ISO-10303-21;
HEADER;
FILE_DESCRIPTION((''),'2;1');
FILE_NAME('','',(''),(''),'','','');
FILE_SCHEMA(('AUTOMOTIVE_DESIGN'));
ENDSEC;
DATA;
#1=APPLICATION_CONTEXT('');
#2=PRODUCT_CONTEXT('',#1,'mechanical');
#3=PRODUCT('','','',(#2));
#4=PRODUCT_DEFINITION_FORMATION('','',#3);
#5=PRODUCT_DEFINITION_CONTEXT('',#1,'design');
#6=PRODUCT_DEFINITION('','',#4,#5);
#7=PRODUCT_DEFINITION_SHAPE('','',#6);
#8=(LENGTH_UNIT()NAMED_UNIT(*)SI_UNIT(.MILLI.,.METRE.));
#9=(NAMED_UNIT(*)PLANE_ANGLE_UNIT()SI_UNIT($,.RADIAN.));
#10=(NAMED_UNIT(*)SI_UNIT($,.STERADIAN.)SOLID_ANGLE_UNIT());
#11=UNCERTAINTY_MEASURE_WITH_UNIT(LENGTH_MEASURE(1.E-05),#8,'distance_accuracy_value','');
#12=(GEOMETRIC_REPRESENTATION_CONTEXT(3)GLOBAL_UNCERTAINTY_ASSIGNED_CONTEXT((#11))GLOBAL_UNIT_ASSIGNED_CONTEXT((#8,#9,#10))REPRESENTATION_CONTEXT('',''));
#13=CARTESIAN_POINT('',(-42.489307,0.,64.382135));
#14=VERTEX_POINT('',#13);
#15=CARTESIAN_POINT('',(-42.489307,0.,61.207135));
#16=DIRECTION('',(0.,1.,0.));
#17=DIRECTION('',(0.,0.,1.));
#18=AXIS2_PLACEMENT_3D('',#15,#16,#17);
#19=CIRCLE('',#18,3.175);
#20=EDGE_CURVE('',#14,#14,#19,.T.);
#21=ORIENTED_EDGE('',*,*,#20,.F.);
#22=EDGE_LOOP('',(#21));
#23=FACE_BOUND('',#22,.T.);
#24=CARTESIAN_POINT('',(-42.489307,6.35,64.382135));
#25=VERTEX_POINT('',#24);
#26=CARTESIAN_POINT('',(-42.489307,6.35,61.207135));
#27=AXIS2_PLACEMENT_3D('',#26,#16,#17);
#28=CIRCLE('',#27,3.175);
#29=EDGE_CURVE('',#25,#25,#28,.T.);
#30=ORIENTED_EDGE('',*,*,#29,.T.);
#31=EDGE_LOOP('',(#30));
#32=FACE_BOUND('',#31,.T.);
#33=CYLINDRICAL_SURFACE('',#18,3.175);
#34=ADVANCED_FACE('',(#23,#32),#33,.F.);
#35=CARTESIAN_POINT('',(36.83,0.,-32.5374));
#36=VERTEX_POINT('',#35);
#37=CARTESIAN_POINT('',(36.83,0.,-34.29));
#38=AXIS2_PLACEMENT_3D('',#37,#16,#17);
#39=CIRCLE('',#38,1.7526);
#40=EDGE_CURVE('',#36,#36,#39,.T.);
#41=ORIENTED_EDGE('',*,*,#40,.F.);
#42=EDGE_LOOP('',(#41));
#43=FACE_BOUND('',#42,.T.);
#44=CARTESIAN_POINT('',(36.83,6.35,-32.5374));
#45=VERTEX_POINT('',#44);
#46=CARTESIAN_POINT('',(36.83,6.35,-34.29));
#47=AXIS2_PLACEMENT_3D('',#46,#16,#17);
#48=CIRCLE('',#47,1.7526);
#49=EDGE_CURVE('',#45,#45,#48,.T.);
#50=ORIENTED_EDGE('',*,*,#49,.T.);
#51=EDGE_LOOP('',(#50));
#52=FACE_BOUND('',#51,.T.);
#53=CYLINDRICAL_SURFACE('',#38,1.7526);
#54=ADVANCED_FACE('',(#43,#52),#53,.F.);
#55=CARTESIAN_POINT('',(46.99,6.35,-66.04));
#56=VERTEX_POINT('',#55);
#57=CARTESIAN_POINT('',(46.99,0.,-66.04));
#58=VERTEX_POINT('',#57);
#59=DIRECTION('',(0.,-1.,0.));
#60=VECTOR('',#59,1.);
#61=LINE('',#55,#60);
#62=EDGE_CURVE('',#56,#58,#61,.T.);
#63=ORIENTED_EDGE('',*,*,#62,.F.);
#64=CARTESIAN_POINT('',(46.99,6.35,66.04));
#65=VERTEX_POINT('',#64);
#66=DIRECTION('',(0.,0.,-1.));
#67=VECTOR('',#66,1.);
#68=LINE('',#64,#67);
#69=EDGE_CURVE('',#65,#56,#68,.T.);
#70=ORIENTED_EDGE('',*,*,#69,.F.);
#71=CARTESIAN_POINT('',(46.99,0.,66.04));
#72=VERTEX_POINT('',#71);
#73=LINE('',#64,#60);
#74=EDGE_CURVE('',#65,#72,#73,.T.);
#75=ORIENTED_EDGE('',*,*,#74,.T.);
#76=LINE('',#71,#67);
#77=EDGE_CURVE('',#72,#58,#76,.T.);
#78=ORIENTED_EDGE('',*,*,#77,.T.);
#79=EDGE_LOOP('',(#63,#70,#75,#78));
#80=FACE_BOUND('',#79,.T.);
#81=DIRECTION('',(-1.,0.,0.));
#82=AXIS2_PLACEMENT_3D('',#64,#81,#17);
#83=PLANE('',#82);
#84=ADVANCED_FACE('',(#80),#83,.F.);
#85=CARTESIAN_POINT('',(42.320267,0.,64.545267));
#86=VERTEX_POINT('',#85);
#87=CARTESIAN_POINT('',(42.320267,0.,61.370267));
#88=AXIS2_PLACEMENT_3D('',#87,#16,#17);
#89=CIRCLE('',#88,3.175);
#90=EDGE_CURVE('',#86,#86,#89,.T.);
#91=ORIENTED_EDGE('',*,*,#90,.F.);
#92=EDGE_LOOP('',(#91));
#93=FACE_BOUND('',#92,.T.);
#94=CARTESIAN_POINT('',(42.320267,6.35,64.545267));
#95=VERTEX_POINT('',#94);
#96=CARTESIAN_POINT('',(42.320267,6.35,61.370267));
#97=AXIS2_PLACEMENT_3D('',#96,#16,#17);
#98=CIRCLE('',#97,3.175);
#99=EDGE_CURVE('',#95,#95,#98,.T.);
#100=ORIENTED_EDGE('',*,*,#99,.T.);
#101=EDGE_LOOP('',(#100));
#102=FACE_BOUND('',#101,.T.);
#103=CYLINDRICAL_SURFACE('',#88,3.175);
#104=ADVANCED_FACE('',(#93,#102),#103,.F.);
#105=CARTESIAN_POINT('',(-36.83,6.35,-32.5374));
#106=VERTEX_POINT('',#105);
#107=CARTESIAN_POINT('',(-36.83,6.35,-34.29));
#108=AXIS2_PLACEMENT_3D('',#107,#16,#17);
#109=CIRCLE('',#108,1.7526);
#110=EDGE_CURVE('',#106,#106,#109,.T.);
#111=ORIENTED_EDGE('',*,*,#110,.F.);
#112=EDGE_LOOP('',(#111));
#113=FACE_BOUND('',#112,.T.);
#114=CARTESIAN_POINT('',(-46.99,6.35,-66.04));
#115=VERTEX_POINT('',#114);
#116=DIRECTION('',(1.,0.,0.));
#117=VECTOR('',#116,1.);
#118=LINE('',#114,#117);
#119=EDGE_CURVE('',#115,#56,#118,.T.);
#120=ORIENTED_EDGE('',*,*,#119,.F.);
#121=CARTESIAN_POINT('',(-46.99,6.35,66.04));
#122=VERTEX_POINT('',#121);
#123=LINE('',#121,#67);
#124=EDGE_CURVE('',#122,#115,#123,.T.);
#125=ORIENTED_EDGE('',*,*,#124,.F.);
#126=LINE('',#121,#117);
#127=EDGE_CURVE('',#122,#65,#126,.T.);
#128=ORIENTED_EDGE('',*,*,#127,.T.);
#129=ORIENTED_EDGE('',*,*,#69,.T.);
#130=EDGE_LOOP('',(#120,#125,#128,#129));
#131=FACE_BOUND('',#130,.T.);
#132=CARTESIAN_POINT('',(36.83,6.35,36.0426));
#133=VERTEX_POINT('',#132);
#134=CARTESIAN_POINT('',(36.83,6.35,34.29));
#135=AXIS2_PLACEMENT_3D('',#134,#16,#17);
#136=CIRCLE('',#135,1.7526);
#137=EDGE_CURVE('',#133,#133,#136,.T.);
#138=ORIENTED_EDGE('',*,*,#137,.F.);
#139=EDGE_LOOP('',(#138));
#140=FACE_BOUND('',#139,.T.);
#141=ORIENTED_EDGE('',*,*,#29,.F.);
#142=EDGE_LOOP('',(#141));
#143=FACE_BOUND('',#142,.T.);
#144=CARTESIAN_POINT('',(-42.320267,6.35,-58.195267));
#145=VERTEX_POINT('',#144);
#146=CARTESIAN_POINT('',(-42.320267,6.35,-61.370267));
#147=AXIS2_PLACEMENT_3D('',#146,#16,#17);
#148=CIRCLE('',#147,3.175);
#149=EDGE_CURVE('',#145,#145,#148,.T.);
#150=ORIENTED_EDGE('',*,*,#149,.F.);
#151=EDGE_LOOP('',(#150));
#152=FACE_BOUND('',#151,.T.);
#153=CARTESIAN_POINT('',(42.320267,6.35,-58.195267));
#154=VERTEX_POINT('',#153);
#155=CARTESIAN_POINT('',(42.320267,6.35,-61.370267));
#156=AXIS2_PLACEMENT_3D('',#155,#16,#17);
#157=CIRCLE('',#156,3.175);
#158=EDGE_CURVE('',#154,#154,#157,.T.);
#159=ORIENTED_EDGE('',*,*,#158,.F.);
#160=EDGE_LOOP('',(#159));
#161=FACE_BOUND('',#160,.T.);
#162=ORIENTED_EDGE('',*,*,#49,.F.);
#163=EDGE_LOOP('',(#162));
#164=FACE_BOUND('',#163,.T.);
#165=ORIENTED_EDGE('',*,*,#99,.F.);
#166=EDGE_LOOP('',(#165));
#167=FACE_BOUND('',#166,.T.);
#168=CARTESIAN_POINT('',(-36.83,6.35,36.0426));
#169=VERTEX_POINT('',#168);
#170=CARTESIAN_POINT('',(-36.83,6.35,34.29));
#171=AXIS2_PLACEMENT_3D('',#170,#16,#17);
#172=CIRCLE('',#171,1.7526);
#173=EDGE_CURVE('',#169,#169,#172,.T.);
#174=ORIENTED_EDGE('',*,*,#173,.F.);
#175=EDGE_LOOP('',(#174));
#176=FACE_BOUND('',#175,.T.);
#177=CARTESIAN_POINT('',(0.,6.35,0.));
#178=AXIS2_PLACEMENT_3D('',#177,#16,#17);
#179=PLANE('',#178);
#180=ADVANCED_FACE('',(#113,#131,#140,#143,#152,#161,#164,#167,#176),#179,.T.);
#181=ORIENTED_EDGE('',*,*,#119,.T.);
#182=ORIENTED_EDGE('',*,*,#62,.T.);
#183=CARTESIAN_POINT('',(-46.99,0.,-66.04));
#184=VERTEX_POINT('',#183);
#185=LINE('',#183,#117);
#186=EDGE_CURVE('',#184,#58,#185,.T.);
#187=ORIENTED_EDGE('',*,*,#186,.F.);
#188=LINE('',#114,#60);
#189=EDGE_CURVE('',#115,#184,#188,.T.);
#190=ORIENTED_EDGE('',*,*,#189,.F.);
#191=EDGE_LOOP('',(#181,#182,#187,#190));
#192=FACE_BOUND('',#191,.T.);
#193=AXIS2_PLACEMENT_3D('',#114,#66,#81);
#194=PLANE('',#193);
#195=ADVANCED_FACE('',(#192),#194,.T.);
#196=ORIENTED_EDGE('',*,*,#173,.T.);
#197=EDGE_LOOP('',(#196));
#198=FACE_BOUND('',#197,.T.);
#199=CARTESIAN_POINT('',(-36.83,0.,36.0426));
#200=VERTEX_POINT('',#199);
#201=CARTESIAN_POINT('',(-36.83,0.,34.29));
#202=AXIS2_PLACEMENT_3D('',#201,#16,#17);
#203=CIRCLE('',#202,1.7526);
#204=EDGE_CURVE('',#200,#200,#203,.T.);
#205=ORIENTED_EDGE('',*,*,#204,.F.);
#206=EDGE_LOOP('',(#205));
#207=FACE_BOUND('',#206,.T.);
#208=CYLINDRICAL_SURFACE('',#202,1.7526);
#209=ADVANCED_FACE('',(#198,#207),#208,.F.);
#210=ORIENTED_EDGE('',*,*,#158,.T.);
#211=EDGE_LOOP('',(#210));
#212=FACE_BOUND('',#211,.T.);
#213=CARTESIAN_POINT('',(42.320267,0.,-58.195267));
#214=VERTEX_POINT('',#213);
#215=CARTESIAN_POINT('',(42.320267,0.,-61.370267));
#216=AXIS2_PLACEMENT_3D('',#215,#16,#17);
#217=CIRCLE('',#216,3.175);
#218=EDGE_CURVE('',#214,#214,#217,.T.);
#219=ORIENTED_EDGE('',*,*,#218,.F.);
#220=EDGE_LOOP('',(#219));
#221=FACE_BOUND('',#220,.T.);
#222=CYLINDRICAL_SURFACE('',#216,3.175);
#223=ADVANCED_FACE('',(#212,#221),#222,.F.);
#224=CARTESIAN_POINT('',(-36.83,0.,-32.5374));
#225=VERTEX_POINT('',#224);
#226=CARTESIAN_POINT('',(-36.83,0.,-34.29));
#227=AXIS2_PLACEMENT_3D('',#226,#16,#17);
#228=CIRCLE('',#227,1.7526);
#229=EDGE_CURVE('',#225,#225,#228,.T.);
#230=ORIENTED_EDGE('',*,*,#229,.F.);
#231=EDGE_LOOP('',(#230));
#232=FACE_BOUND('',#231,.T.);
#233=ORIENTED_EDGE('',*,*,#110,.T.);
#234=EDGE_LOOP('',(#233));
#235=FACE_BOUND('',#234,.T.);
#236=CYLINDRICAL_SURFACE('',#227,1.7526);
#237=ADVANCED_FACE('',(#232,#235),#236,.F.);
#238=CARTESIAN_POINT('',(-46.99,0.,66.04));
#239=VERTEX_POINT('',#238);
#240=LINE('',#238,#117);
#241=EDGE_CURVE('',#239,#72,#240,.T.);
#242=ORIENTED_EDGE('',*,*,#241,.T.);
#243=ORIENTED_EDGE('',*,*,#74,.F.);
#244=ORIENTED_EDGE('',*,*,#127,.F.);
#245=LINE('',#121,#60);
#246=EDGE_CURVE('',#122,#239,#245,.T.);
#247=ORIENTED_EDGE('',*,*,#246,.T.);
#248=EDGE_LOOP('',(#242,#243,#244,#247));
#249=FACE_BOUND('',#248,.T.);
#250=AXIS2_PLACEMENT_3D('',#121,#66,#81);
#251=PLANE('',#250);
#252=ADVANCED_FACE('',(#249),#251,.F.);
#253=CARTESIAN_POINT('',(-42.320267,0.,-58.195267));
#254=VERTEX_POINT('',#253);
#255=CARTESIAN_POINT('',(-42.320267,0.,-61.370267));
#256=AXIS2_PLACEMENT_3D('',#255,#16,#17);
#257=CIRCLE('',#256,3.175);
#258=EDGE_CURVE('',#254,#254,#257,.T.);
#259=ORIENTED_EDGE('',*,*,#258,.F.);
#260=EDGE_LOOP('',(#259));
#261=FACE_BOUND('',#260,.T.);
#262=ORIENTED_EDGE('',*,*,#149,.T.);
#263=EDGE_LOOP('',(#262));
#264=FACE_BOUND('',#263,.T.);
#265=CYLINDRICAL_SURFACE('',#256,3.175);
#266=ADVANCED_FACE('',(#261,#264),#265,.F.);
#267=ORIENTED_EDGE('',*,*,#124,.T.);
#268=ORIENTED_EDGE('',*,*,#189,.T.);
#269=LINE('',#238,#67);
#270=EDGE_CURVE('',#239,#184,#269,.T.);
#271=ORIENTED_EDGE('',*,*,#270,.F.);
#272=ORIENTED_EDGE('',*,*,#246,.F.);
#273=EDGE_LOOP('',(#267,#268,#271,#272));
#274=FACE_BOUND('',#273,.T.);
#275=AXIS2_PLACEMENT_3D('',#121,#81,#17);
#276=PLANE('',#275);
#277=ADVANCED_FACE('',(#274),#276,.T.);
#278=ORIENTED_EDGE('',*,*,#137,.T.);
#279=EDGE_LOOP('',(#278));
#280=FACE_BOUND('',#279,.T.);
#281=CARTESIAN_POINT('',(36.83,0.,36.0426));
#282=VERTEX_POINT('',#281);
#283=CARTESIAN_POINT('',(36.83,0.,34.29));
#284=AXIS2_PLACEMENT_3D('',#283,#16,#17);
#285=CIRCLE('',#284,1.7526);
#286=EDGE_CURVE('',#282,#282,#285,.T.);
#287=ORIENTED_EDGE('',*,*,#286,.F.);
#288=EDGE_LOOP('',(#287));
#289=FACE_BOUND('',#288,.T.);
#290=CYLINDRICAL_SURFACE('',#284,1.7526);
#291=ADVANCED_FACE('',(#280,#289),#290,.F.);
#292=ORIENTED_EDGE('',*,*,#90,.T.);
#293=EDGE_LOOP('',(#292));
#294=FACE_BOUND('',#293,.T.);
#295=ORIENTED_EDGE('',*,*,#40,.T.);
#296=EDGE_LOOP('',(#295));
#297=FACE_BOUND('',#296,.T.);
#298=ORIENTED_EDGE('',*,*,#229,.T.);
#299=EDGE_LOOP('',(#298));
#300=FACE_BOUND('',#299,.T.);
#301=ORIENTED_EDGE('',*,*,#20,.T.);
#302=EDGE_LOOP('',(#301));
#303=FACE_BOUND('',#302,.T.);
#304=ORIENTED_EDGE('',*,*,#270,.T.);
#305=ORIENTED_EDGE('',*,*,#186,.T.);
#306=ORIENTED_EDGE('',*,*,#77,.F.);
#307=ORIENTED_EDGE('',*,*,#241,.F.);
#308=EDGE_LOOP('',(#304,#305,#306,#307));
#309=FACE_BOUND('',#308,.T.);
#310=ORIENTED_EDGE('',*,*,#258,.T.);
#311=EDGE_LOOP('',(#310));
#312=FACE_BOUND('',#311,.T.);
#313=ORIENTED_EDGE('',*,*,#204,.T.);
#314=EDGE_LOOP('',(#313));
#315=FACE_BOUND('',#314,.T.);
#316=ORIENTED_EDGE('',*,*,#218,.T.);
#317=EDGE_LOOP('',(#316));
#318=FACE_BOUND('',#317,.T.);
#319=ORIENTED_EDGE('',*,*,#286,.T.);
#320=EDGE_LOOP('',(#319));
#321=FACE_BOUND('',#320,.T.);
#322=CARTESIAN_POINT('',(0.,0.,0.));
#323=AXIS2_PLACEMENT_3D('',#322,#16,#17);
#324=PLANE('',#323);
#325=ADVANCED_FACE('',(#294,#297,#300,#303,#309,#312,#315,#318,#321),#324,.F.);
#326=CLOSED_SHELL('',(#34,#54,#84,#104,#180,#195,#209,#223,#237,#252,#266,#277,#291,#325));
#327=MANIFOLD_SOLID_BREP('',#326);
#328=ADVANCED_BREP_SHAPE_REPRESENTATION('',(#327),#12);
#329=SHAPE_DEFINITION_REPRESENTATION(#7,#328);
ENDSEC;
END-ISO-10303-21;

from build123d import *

# Parameters (mm, degrees)
SKETCH1_W           = 93.98
SKETCH1_H           = 132.08
BOSS_EXTRUDE2_DEPTH = 6.35
SKETCH2_R           = 3.175
CUT_EXTRUDE1_DEPTH  = 6.35
SKETCH3_R           = 1.7526
CUT_EXTRUDE2_DEPTH  = 6.35


with BuildPart() as part:
    # Sketch1 → Boss-Extrude2 (new body)
    with BuildSketch(Plane(origin=(0, 0, 0), x_dir=(1, 0, 0), z_dir=(0, 1, 0))):
        Rectangle(SKETCH1_W, SKETCH1_H)
    extrude(amount=BOSS_EXTRUDE2_DEPTH)

    # Sketch2 → Cut-Extrude1 (cut)
    with BuildSketch(Plane(origin=(0, 6.35, 0), x_dir=(1, 0, 0), z_dir=(0, 1, 0))):
        with Locations(Location((-42.320266817, 61.370266817, 0), (0, 0, 270))):
            Circle(SKETCH2_R)
        with Locations(Location((42.320266817, 61.370266817, 0), (0, 0, 270))):
            Circle(SKETCH2_R)
        with Locations(Location((-42.489307234, -61.20713536, 0), (0, 0, 270))):
            Circle(SKETCH2_R)
        with Locations(Location((42.320266817, -61.370266817, 0), (0, 0, 270))):
            Circle(SKETCH2_R)
    extrude(amount=-CUT_EXTRUDE1_DEPTH, mode=Mode.SUBTRACT)

    # Sketch3 → Cut-Extrude2 (cut)
    with BuildSketch(Plane(origin=(0, 6.35, 0), x_dir=(1, 0, 0), z_dir=(0, 1, 0))):
        with Locations(Location((-36.83, 34.29, 0), (0, 0, 270))):
            Circle(SKETCH3_R)
        with Locations(Location((36.83, 34.29, 0), (0, 0, 270))):
            Circle(SKETCH3_R)
        with Locations(Location((-36.83, -34.29, 0), (0, 0, 270))):
            Circle(SKETCH3_R)
        with Locations(Location((36.83, -34.29, 0), (0, 0, 270))):
            Circle(SKETCH3_R)
    extrude(amount=-CUT_EXTRUDE2_DEPTH, mode=Mode.SUBTRACT)


solid = part.part
